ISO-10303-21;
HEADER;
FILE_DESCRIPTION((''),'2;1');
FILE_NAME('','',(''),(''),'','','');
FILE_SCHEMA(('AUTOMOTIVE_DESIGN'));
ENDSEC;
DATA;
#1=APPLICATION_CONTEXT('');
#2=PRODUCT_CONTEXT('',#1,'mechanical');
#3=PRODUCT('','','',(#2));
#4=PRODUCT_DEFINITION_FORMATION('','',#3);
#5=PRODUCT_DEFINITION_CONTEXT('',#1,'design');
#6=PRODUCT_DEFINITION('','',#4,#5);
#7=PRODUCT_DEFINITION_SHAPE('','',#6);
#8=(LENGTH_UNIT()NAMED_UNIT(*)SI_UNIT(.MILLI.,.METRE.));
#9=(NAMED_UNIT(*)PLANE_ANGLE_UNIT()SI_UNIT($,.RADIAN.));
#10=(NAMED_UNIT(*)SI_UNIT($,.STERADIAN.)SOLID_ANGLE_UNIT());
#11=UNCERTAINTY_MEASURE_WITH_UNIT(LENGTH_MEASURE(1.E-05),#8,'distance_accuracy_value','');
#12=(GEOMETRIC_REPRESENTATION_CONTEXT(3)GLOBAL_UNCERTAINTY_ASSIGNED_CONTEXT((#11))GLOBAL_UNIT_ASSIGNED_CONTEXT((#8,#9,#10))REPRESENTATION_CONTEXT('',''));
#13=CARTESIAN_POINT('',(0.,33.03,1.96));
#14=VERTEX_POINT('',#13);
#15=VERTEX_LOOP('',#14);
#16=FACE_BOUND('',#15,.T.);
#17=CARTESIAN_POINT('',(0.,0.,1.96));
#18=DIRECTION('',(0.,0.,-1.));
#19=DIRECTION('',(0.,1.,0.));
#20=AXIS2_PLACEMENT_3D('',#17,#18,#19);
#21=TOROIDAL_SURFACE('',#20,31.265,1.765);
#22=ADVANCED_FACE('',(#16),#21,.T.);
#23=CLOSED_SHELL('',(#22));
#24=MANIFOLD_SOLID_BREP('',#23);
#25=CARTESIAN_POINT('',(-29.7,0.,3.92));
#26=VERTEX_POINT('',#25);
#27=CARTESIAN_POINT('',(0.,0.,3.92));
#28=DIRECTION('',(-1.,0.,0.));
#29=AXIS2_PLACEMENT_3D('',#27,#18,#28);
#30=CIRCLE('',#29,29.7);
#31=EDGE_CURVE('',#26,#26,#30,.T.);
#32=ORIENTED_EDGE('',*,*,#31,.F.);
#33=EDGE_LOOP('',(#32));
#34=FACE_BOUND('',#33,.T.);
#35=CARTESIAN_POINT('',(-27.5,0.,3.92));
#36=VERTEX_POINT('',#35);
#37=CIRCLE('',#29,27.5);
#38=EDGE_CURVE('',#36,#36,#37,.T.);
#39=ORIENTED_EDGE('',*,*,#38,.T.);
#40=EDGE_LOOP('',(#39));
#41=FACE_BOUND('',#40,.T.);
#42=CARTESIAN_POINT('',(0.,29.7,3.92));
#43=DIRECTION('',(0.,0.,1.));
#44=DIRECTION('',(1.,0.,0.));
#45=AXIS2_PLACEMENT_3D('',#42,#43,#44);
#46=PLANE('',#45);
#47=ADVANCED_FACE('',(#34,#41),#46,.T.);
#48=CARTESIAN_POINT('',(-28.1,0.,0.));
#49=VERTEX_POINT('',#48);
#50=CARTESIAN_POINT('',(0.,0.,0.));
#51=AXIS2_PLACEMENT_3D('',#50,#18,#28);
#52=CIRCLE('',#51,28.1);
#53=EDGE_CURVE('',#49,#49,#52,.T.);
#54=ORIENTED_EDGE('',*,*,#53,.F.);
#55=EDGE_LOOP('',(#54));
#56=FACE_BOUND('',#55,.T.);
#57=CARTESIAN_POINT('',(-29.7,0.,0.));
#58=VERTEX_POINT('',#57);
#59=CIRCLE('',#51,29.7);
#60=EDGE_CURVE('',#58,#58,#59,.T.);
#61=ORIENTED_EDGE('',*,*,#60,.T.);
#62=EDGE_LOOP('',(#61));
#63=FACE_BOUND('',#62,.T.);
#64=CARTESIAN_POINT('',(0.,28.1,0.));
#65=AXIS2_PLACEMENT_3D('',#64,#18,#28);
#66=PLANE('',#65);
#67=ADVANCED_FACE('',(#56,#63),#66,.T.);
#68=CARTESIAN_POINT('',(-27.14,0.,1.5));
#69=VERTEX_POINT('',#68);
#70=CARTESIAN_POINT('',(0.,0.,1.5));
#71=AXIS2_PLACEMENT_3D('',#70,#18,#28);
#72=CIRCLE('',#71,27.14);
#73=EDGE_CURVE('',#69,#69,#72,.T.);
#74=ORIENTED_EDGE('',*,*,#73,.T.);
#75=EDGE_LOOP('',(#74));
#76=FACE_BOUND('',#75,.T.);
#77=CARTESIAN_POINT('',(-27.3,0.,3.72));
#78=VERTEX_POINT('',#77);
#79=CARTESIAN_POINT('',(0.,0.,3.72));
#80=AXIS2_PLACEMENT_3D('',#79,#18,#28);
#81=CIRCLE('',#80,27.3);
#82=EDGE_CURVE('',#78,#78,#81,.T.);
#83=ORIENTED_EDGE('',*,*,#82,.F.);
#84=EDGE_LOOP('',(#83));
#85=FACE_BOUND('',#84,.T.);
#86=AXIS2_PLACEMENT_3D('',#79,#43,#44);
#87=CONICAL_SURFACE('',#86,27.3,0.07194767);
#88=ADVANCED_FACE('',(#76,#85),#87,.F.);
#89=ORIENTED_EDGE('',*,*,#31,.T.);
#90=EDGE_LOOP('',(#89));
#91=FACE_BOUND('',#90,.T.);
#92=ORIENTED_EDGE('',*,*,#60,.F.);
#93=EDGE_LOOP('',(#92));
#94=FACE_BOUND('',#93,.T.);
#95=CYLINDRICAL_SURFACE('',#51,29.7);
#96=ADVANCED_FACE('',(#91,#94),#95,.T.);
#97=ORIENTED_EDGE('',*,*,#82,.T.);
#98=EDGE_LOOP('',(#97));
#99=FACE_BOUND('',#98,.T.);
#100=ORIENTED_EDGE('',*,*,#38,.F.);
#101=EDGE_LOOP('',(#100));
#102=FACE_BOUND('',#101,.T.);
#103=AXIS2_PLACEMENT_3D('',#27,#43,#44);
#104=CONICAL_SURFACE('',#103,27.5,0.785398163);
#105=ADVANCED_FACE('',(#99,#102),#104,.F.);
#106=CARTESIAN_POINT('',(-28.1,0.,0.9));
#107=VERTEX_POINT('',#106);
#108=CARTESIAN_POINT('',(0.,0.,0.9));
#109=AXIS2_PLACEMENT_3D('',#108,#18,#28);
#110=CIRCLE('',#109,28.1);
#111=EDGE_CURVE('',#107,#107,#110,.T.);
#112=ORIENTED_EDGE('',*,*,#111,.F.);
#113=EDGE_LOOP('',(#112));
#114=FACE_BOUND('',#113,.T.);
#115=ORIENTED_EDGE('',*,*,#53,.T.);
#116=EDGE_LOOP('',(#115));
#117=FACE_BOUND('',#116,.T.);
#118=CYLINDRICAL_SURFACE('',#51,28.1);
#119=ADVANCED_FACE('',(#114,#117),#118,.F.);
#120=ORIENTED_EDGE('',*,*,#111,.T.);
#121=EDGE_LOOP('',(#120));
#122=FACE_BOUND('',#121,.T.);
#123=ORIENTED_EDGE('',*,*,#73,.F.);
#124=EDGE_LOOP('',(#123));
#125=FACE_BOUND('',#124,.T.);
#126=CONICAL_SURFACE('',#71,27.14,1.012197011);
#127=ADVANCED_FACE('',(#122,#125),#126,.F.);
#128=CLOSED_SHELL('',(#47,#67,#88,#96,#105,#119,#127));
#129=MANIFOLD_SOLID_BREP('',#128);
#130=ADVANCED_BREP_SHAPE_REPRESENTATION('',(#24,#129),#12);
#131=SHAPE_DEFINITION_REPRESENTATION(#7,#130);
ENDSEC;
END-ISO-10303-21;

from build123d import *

# Parameters (mm, degrees)
SKETCH4_R = 1.765


with BuildPart() as part:
    # Sketch1 → Revolve1 (revolve)
    with BuildSketch(Plane(origin=(0, 0, 0), x_dir=(0, 0, -1), z_dir=(1, 0, 0))):
        Polygon((0, 28.1), (0, 29.7), (-3.92, 29.7), (-3.92, 27.5), (-3.72, 27.3), (-1.5, 27.14), (-0.9, 28.1), align=None)
    revolve(axis=Axis((0, 0, 0), (0, 0, 1)))


with BuildPart() as body_2:
    # Sketch4 → Revolve2 (revolve)
    with BuildSketch(Plane(origin=(0, 0, 0), x_dir=(0, 0, -1), z_dir=(1, 0, 0))):
        with Locations((-1.96, 31.265)):
            Circle(SKETCH4_R)
    revolve(axis=Axis((0, 0, 0), (0, 0, 1)))


solid = Compound([part.part, body_2.part])
